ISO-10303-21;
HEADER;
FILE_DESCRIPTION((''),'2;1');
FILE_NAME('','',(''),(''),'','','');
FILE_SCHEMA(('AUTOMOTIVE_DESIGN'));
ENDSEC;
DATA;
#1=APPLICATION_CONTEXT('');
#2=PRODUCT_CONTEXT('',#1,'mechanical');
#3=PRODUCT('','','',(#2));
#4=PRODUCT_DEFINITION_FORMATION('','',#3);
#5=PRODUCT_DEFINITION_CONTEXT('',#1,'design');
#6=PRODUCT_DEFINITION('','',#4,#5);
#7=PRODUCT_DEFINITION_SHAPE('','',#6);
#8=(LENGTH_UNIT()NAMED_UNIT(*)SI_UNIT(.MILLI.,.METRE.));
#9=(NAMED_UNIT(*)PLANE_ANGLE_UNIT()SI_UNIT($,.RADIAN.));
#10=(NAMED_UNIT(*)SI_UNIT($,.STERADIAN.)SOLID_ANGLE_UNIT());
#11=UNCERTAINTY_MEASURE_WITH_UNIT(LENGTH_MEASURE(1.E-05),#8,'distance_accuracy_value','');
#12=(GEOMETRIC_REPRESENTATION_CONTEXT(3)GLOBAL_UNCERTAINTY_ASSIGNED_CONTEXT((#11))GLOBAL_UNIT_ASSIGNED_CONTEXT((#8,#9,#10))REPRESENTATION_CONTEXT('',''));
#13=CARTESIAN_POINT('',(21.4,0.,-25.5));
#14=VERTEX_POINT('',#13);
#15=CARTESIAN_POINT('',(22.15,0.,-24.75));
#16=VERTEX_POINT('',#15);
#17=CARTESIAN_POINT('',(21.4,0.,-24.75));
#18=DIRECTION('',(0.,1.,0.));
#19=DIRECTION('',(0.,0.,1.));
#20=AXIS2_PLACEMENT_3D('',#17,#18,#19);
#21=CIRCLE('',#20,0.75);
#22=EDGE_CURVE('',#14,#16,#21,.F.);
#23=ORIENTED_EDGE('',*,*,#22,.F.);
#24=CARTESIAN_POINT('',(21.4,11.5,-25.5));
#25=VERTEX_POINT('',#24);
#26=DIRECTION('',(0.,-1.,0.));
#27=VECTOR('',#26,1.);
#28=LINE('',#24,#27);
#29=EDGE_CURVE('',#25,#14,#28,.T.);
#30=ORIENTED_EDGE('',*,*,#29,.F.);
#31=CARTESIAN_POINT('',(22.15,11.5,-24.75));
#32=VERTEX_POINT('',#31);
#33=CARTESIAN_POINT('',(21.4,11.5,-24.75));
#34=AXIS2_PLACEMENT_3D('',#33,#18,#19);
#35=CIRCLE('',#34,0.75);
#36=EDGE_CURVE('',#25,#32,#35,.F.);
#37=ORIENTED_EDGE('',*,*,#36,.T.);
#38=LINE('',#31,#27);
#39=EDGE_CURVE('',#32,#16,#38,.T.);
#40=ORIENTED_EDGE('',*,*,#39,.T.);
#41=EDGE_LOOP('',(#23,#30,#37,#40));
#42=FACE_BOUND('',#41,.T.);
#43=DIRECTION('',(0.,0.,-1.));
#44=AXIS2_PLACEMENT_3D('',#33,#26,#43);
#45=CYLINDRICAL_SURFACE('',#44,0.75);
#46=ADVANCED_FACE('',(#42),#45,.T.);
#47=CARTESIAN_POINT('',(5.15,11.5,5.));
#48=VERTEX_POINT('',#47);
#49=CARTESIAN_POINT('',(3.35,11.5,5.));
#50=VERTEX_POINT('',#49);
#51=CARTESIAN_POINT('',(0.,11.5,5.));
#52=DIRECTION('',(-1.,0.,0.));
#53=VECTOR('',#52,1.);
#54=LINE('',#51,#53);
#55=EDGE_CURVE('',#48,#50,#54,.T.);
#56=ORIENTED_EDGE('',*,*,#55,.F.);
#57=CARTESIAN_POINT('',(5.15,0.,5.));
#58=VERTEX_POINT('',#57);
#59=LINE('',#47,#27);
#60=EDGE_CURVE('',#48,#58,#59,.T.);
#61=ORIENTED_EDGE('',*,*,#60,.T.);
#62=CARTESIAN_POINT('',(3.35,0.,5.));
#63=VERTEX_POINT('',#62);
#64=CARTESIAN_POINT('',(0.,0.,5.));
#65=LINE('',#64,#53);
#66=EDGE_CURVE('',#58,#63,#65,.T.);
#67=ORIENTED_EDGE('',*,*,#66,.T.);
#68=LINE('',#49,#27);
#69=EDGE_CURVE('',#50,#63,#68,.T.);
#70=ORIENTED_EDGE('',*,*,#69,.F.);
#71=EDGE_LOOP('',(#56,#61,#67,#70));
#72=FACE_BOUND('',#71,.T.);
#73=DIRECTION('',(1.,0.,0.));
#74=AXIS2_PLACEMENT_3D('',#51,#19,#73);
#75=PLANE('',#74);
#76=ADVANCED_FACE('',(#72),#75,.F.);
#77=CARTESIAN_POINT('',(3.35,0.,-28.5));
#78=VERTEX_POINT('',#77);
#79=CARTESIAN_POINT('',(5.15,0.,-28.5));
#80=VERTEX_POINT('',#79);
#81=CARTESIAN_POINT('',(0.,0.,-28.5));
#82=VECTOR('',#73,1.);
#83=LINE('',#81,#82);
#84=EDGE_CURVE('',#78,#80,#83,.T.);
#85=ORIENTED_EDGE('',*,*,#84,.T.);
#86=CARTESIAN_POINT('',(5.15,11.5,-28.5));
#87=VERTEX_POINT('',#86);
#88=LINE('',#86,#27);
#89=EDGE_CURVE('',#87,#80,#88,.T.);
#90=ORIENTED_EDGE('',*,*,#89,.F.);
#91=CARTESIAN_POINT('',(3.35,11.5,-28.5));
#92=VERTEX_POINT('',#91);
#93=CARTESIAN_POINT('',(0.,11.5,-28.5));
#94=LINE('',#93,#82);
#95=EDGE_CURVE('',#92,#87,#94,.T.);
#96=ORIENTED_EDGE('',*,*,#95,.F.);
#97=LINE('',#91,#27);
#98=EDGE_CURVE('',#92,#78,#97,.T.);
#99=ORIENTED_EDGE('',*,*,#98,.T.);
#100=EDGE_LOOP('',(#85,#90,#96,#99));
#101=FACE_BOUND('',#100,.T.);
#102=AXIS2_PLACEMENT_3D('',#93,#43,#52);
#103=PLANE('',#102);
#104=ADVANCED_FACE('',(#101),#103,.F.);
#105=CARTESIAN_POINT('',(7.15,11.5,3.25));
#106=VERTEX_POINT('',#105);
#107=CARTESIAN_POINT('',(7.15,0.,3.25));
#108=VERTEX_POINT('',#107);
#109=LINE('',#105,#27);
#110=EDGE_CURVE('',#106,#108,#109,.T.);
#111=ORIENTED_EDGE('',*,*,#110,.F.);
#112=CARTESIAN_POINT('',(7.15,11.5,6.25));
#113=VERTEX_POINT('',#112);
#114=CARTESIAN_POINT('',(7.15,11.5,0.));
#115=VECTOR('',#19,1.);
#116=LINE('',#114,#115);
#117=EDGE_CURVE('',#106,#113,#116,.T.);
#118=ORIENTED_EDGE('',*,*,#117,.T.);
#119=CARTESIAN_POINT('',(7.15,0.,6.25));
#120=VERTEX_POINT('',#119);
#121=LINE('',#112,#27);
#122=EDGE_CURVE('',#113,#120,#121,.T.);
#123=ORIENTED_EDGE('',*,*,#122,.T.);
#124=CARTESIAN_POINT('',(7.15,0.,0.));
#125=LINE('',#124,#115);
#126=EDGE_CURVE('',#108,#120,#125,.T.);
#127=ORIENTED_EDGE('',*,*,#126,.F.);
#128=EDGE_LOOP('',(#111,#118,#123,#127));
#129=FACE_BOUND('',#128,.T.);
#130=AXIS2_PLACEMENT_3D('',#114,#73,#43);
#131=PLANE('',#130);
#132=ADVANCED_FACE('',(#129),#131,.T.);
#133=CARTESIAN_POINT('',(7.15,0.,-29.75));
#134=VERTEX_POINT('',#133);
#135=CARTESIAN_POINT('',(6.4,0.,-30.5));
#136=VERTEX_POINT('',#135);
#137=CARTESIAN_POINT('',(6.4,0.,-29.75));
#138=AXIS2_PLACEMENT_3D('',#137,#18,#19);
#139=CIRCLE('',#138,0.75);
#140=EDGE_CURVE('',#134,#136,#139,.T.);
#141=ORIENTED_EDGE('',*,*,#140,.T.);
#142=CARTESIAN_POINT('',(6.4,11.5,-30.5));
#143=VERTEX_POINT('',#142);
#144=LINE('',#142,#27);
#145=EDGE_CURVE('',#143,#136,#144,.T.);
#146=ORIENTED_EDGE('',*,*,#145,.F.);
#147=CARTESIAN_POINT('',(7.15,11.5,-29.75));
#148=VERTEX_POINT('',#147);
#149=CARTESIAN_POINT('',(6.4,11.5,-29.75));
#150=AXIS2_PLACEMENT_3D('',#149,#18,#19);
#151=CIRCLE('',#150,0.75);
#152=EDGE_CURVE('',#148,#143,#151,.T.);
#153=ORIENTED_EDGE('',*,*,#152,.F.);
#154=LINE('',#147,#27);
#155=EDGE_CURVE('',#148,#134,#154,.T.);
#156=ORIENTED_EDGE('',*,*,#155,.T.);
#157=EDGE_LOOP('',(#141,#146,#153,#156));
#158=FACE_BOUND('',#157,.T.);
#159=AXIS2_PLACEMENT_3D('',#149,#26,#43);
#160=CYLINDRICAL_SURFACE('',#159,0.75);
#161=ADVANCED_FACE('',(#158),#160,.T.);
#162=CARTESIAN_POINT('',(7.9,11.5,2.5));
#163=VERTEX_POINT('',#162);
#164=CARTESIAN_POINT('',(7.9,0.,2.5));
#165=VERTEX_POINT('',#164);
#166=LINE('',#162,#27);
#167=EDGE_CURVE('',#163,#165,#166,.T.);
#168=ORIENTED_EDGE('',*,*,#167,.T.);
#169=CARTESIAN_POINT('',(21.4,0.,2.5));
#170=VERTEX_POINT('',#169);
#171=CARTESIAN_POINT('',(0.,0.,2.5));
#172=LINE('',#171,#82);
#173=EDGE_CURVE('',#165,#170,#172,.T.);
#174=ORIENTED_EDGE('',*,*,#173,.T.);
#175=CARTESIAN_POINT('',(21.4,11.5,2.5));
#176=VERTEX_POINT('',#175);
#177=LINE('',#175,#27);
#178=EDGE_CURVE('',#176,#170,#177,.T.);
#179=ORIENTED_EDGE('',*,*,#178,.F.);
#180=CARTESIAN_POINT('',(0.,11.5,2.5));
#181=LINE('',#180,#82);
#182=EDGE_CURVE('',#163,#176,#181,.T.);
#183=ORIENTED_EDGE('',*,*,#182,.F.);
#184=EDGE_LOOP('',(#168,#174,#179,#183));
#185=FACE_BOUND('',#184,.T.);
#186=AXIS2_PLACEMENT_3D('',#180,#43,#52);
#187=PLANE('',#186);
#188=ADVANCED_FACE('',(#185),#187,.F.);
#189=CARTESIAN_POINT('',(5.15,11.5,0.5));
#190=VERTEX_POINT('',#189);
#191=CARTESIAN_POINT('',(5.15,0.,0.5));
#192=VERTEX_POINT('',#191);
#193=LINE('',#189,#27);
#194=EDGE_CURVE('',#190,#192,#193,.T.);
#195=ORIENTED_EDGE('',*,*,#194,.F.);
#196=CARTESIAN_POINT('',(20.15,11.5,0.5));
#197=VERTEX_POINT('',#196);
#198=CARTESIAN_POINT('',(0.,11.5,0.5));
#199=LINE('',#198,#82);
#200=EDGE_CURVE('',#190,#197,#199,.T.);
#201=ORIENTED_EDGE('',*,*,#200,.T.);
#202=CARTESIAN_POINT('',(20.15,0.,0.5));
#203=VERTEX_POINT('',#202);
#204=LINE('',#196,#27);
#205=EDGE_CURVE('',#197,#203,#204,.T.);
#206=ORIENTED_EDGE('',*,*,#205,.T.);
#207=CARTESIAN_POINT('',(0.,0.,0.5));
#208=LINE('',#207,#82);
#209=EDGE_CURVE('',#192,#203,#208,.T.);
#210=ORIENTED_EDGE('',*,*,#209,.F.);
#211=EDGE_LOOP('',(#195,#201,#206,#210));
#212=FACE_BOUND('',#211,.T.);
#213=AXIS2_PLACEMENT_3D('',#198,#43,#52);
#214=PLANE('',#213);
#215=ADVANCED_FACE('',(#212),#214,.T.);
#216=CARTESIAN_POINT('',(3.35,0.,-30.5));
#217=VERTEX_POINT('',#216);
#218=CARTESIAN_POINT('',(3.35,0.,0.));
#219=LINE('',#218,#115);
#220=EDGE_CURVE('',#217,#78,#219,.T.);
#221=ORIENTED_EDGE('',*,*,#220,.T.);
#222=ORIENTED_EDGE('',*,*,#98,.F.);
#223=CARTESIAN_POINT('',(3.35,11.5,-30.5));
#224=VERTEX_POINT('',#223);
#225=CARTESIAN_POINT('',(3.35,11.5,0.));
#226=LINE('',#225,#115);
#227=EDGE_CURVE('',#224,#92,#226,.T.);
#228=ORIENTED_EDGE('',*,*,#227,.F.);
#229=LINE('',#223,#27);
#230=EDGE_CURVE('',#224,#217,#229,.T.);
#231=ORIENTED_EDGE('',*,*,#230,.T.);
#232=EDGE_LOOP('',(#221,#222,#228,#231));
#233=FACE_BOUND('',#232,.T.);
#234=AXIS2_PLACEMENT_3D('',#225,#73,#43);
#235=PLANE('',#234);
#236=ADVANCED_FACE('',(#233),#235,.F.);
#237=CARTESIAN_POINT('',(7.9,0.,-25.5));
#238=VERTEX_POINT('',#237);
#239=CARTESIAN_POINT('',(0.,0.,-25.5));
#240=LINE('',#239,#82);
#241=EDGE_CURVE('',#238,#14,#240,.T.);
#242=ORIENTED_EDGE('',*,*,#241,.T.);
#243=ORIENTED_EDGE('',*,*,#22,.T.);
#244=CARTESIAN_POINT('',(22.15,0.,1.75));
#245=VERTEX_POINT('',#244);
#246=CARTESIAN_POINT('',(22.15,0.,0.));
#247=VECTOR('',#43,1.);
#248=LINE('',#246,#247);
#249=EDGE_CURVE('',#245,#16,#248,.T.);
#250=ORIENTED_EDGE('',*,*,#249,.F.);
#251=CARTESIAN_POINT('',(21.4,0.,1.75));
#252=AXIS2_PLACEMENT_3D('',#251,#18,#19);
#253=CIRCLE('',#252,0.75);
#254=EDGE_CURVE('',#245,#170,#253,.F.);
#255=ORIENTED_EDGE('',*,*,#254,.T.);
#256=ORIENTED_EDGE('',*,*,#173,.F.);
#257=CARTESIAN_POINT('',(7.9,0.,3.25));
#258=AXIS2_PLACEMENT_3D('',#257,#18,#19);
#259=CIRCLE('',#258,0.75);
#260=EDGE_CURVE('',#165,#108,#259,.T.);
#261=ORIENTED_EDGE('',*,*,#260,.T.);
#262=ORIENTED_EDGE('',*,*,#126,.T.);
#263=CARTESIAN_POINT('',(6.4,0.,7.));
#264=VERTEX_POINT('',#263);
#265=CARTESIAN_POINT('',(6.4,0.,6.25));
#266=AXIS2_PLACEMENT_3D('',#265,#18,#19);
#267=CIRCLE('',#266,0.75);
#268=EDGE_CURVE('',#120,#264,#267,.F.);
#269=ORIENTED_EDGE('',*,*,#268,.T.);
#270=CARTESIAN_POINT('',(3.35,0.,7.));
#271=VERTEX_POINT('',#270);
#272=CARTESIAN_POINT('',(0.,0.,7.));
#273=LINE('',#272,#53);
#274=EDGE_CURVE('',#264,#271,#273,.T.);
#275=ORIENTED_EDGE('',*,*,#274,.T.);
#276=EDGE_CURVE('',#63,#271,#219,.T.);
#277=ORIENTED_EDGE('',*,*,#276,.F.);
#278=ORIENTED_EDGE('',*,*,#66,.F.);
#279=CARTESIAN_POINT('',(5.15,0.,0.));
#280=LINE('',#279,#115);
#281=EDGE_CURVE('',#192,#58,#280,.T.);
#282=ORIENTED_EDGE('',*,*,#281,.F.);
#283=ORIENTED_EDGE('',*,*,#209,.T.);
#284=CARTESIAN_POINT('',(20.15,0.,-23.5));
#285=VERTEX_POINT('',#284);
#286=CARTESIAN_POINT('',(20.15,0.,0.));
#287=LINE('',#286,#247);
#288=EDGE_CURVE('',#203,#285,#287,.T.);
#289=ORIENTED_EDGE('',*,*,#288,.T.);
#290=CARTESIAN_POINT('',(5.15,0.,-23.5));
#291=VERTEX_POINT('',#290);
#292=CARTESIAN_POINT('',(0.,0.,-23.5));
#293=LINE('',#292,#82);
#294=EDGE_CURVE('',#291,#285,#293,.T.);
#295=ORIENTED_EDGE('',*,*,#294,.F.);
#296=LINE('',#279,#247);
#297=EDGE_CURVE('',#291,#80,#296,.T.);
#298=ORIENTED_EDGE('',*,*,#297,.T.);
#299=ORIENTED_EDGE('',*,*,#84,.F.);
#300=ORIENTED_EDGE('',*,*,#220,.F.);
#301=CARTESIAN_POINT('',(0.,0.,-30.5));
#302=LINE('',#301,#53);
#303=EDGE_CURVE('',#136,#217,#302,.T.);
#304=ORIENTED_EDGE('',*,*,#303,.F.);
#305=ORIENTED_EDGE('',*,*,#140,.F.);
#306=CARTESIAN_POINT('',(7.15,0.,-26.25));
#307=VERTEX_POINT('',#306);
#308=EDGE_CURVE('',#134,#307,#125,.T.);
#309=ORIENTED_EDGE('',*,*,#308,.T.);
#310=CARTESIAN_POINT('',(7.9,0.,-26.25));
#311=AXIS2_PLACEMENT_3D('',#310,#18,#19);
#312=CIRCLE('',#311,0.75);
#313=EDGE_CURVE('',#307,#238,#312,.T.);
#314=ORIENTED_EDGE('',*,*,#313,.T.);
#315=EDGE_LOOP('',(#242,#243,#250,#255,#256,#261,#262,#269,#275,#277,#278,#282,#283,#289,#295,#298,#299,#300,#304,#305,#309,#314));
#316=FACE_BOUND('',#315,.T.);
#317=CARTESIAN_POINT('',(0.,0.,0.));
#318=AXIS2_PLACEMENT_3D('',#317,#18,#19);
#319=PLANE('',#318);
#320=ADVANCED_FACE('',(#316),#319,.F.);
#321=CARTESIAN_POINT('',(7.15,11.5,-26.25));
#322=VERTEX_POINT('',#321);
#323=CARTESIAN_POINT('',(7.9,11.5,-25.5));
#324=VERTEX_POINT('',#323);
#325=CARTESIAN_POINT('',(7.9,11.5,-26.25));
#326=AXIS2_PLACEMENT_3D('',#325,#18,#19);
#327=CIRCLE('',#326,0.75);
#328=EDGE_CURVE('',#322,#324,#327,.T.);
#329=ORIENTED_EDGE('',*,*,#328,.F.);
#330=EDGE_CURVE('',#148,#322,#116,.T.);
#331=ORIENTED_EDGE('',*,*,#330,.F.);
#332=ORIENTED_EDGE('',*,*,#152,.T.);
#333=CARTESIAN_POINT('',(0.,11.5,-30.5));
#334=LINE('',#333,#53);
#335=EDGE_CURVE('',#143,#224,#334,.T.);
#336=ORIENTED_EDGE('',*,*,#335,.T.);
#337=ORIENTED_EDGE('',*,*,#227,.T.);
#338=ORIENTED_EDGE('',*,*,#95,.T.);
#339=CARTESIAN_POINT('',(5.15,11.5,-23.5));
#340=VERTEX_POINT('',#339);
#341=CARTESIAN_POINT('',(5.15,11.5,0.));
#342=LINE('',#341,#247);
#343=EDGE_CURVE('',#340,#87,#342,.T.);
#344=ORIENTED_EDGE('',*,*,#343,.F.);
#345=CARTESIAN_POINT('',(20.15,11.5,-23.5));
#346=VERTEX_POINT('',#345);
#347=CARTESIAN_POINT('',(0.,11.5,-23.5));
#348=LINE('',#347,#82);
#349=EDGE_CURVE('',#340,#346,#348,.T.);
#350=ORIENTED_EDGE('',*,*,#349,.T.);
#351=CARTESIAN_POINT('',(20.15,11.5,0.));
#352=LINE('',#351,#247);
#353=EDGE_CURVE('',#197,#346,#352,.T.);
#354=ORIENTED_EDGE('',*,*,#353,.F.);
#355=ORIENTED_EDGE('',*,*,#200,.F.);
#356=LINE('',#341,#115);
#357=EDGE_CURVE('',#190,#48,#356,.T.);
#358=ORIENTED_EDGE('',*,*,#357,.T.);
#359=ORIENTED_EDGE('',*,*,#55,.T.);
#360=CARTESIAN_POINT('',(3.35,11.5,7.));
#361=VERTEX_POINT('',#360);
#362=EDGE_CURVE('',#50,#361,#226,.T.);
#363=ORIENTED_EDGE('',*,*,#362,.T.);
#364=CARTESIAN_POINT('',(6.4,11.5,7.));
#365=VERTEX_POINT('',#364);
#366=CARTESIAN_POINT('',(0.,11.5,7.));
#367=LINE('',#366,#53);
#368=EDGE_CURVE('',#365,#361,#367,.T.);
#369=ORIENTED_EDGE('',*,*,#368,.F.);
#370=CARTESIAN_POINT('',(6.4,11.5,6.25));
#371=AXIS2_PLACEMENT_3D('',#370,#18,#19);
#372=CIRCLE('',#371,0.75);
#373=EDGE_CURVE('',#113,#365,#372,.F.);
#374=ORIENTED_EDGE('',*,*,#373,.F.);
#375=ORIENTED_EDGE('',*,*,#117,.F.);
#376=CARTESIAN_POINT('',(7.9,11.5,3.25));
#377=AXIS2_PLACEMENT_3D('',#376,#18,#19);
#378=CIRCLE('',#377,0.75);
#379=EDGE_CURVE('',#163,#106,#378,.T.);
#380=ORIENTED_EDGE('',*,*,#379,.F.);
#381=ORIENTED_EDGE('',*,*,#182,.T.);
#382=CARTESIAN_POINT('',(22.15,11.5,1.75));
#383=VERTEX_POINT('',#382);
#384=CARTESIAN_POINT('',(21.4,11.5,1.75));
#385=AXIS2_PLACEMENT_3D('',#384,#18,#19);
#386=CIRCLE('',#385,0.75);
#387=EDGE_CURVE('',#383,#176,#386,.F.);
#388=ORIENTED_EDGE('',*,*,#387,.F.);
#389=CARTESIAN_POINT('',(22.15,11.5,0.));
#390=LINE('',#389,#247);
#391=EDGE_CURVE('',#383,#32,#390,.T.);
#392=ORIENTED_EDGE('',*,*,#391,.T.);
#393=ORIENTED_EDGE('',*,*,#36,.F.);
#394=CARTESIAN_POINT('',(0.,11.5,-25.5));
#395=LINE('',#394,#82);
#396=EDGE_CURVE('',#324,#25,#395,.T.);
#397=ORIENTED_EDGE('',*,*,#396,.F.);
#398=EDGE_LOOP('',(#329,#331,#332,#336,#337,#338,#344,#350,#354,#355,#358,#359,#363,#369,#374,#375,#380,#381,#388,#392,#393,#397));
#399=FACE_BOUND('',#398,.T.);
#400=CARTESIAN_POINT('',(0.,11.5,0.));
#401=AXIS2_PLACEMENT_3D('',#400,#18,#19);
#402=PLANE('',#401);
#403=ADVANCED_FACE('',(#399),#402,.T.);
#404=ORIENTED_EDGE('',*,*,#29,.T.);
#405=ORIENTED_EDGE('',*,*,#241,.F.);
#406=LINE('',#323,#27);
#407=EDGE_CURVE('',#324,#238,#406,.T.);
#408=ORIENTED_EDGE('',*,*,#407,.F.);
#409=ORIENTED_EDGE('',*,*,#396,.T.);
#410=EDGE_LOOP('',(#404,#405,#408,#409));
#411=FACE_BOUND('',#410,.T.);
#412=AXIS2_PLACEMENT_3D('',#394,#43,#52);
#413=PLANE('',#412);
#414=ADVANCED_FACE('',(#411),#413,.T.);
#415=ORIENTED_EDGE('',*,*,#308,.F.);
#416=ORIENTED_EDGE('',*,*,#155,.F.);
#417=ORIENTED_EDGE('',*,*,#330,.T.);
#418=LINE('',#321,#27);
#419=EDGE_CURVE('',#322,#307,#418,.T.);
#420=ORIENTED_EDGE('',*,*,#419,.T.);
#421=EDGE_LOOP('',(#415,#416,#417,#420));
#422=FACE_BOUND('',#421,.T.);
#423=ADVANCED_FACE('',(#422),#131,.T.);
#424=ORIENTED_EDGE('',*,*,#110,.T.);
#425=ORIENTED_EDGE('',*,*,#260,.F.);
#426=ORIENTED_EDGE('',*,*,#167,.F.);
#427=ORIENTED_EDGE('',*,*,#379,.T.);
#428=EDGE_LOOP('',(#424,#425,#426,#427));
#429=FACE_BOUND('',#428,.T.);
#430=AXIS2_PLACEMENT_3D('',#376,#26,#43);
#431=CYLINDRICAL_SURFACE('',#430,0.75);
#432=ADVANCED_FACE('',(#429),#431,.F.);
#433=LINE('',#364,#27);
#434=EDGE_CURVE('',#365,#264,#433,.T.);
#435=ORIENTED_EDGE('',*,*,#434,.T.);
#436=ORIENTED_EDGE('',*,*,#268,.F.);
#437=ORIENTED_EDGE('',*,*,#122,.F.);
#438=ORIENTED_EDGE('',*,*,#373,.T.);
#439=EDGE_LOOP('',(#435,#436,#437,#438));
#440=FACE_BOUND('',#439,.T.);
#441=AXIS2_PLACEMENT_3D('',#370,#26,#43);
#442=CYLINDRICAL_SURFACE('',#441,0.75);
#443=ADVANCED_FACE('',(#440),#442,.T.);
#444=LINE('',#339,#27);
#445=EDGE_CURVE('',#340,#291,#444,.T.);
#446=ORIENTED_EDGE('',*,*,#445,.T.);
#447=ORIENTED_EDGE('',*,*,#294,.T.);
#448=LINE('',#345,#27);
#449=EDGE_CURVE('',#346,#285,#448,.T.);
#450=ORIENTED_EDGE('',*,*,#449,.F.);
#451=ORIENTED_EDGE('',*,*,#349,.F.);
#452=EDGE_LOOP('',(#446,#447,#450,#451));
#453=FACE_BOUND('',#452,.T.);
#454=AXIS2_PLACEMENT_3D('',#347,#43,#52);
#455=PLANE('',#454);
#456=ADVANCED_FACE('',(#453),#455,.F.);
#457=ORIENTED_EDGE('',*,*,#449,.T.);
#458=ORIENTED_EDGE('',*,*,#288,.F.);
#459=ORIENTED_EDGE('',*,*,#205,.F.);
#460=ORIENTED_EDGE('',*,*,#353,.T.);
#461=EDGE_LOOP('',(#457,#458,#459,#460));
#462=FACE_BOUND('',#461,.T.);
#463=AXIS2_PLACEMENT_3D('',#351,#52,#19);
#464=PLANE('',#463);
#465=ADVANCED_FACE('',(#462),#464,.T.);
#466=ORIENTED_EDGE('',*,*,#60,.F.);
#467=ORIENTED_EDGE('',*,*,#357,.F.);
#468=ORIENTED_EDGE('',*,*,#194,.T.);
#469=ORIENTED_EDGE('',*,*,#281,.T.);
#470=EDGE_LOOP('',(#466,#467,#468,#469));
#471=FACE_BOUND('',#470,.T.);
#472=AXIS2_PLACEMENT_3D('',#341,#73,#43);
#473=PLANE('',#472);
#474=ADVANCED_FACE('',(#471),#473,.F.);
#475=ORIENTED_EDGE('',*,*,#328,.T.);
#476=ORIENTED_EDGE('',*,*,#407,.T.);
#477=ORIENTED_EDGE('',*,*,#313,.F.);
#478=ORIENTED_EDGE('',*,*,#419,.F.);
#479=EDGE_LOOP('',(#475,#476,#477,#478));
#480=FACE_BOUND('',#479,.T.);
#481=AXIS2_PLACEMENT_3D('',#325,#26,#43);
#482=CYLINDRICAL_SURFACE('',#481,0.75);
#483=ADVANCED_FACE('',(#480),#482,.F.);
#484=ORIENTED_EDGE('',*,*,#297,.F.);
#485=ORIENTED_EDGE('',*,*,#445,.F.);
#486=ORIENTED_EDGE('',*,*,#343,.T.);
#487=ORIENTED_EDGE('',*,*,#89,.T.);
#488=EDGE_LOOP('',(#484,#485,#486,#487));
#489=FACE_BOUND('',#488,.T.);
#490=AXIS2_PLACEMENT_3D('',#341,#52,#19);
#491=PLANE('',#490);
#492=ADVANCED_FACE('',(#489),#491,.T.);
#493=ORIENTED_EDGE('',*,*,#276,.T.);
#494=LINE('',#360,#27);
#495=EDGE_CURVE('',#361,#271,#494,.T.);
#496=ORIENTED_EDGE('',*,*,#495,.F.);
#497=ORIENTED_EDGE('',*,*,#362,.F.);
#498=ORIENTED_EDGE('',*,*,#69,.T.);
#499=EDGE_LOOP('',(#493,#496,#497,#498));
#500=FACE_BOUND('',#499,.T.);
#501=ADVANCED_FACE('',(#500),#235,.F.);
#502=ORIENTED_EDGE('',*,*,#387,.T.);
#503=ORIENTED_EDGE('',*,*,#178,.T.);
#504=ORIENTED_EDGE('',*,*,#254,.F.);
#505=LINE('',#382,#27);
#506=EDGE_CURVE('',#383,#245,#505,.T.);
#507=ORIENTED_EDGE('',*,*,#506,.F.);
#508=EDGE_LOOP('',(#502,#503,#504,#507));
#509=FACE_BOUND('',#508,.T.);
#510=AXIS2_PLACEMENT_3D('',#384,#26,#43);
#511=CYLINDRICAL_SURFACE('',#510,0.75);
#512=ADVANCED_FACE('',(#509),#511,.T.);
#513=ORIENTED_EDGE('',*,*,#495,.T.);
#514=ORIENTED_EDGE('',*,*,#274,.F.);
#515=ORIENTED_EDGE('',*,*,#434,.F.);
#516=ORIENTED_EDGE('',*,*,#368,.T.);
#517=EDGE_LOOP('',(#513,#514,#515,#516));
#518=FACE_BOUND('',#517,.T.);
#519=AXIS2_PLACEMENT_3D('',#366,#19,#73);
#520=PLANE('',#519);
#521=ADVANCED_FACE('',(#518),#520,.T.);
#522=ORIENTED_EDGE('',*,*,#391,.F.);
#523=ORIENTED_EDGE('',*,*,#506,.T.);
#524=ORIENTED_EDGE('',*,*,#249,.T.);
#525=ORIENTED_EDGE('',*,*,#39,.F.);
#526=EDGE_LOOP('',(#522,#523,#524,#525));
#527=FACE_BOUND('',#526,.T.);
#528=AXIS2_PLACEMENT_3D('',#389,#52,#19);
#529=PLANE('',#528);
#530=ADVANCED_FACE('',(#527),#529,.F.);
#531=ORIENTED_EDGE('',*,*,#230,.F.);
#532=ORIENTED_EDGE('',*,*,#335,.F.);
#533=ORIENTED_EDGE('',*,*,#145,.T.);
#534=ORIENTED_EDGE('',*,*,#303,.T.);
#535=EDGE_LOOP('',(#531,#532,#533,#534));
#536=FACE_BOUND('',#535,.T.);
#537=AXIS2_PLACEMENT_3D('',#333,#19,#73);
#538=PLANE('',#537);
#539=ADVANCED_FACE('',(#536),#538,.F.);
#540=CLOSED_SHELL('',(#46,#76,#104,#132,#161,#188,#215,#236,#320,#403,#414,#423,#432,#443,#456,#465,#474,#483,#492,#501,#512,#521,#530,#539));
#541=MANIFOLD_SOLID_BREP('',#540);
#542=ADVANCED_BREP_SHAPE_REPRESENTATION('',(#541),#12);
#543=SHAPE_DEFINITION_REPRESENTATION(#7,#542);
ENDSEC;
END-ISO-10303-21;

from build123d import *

# Parameters (mm, degrees)
BRACKET_DEPTH = 11.5


with BuildPart() as part:
    # Sketch9 → Bracket (new body)
    with BuildSketch(Plane(origin=(0, 0, 0), x_dir=(1, 0, 0), z_dir=(0, 1, 0))):
        with BuildLine():
            Line((5.15, -5), (4.65, -5))
            Line((4.65, -5), (3.35, -5))
            Line((3.35, -5), (3.35, -7))
            Line((3.35, -7), (6.4, -7))
            ThreePointArc((6.4, -7), (6.930330086, -6.780330086), (7.15, -6.25))
            Line((7.15, -6.25), (7.15, -5))
            Line((7.15, -5), (7.15, -3.25))
            ThreePointArc((7.15, -3.25), (7.369669914, -2.719669914), (7.9, -2.5))
            Line((7.9, -2.5), (21.4, -2.5))
            ThreePointArc((21.4, -2.5), (21.930330086, -2.280330086), (22.15, -1.75))
            Line((22.15, -1.75), (22.15, 24.75))
            ThreePointArc((22.15, 24.75), (21.930330086, 25.280330086), (21.4, 25.5))
            Line((21.4, 25.5), (7.9, 25.5))
            ThreePointArc((7.9, 25.5), (7.369669914, 25.719669914), (7.15, 26.25))
            Line((7.15, 26.25), (7.15, 28))
            Line((7.15, 28), (7.15, 29.75))
            ThreePointArc((7.15, 29.75), (6.930330086, 30.280330086), (6.4, 30.5))
            Line((6.4, 30.5), (5.15, 30.5))
            Line((5.15, 30.5), (3.35, 30.5))
            Line((3.35, 30.5), (3.35, 28.5))
            Line((3.35, 28.5), (5.15, 28.5))
            Line((5.15, 28.5), (5.15, 28))
            Line((5.15, 28), (5.15, 23.5))
            Line((5.15, 23.5), (20.15, 23.5))
            Line((20.15, 23.5), (20.15, -0.5))
            Line((20.15, -0.5), (5.15, -0.5))
            Line((5.15, -0.5), (5.15, -5))
        make_face()
    extrude(amount=BRACKET_DEPTH)


solid = part.part
